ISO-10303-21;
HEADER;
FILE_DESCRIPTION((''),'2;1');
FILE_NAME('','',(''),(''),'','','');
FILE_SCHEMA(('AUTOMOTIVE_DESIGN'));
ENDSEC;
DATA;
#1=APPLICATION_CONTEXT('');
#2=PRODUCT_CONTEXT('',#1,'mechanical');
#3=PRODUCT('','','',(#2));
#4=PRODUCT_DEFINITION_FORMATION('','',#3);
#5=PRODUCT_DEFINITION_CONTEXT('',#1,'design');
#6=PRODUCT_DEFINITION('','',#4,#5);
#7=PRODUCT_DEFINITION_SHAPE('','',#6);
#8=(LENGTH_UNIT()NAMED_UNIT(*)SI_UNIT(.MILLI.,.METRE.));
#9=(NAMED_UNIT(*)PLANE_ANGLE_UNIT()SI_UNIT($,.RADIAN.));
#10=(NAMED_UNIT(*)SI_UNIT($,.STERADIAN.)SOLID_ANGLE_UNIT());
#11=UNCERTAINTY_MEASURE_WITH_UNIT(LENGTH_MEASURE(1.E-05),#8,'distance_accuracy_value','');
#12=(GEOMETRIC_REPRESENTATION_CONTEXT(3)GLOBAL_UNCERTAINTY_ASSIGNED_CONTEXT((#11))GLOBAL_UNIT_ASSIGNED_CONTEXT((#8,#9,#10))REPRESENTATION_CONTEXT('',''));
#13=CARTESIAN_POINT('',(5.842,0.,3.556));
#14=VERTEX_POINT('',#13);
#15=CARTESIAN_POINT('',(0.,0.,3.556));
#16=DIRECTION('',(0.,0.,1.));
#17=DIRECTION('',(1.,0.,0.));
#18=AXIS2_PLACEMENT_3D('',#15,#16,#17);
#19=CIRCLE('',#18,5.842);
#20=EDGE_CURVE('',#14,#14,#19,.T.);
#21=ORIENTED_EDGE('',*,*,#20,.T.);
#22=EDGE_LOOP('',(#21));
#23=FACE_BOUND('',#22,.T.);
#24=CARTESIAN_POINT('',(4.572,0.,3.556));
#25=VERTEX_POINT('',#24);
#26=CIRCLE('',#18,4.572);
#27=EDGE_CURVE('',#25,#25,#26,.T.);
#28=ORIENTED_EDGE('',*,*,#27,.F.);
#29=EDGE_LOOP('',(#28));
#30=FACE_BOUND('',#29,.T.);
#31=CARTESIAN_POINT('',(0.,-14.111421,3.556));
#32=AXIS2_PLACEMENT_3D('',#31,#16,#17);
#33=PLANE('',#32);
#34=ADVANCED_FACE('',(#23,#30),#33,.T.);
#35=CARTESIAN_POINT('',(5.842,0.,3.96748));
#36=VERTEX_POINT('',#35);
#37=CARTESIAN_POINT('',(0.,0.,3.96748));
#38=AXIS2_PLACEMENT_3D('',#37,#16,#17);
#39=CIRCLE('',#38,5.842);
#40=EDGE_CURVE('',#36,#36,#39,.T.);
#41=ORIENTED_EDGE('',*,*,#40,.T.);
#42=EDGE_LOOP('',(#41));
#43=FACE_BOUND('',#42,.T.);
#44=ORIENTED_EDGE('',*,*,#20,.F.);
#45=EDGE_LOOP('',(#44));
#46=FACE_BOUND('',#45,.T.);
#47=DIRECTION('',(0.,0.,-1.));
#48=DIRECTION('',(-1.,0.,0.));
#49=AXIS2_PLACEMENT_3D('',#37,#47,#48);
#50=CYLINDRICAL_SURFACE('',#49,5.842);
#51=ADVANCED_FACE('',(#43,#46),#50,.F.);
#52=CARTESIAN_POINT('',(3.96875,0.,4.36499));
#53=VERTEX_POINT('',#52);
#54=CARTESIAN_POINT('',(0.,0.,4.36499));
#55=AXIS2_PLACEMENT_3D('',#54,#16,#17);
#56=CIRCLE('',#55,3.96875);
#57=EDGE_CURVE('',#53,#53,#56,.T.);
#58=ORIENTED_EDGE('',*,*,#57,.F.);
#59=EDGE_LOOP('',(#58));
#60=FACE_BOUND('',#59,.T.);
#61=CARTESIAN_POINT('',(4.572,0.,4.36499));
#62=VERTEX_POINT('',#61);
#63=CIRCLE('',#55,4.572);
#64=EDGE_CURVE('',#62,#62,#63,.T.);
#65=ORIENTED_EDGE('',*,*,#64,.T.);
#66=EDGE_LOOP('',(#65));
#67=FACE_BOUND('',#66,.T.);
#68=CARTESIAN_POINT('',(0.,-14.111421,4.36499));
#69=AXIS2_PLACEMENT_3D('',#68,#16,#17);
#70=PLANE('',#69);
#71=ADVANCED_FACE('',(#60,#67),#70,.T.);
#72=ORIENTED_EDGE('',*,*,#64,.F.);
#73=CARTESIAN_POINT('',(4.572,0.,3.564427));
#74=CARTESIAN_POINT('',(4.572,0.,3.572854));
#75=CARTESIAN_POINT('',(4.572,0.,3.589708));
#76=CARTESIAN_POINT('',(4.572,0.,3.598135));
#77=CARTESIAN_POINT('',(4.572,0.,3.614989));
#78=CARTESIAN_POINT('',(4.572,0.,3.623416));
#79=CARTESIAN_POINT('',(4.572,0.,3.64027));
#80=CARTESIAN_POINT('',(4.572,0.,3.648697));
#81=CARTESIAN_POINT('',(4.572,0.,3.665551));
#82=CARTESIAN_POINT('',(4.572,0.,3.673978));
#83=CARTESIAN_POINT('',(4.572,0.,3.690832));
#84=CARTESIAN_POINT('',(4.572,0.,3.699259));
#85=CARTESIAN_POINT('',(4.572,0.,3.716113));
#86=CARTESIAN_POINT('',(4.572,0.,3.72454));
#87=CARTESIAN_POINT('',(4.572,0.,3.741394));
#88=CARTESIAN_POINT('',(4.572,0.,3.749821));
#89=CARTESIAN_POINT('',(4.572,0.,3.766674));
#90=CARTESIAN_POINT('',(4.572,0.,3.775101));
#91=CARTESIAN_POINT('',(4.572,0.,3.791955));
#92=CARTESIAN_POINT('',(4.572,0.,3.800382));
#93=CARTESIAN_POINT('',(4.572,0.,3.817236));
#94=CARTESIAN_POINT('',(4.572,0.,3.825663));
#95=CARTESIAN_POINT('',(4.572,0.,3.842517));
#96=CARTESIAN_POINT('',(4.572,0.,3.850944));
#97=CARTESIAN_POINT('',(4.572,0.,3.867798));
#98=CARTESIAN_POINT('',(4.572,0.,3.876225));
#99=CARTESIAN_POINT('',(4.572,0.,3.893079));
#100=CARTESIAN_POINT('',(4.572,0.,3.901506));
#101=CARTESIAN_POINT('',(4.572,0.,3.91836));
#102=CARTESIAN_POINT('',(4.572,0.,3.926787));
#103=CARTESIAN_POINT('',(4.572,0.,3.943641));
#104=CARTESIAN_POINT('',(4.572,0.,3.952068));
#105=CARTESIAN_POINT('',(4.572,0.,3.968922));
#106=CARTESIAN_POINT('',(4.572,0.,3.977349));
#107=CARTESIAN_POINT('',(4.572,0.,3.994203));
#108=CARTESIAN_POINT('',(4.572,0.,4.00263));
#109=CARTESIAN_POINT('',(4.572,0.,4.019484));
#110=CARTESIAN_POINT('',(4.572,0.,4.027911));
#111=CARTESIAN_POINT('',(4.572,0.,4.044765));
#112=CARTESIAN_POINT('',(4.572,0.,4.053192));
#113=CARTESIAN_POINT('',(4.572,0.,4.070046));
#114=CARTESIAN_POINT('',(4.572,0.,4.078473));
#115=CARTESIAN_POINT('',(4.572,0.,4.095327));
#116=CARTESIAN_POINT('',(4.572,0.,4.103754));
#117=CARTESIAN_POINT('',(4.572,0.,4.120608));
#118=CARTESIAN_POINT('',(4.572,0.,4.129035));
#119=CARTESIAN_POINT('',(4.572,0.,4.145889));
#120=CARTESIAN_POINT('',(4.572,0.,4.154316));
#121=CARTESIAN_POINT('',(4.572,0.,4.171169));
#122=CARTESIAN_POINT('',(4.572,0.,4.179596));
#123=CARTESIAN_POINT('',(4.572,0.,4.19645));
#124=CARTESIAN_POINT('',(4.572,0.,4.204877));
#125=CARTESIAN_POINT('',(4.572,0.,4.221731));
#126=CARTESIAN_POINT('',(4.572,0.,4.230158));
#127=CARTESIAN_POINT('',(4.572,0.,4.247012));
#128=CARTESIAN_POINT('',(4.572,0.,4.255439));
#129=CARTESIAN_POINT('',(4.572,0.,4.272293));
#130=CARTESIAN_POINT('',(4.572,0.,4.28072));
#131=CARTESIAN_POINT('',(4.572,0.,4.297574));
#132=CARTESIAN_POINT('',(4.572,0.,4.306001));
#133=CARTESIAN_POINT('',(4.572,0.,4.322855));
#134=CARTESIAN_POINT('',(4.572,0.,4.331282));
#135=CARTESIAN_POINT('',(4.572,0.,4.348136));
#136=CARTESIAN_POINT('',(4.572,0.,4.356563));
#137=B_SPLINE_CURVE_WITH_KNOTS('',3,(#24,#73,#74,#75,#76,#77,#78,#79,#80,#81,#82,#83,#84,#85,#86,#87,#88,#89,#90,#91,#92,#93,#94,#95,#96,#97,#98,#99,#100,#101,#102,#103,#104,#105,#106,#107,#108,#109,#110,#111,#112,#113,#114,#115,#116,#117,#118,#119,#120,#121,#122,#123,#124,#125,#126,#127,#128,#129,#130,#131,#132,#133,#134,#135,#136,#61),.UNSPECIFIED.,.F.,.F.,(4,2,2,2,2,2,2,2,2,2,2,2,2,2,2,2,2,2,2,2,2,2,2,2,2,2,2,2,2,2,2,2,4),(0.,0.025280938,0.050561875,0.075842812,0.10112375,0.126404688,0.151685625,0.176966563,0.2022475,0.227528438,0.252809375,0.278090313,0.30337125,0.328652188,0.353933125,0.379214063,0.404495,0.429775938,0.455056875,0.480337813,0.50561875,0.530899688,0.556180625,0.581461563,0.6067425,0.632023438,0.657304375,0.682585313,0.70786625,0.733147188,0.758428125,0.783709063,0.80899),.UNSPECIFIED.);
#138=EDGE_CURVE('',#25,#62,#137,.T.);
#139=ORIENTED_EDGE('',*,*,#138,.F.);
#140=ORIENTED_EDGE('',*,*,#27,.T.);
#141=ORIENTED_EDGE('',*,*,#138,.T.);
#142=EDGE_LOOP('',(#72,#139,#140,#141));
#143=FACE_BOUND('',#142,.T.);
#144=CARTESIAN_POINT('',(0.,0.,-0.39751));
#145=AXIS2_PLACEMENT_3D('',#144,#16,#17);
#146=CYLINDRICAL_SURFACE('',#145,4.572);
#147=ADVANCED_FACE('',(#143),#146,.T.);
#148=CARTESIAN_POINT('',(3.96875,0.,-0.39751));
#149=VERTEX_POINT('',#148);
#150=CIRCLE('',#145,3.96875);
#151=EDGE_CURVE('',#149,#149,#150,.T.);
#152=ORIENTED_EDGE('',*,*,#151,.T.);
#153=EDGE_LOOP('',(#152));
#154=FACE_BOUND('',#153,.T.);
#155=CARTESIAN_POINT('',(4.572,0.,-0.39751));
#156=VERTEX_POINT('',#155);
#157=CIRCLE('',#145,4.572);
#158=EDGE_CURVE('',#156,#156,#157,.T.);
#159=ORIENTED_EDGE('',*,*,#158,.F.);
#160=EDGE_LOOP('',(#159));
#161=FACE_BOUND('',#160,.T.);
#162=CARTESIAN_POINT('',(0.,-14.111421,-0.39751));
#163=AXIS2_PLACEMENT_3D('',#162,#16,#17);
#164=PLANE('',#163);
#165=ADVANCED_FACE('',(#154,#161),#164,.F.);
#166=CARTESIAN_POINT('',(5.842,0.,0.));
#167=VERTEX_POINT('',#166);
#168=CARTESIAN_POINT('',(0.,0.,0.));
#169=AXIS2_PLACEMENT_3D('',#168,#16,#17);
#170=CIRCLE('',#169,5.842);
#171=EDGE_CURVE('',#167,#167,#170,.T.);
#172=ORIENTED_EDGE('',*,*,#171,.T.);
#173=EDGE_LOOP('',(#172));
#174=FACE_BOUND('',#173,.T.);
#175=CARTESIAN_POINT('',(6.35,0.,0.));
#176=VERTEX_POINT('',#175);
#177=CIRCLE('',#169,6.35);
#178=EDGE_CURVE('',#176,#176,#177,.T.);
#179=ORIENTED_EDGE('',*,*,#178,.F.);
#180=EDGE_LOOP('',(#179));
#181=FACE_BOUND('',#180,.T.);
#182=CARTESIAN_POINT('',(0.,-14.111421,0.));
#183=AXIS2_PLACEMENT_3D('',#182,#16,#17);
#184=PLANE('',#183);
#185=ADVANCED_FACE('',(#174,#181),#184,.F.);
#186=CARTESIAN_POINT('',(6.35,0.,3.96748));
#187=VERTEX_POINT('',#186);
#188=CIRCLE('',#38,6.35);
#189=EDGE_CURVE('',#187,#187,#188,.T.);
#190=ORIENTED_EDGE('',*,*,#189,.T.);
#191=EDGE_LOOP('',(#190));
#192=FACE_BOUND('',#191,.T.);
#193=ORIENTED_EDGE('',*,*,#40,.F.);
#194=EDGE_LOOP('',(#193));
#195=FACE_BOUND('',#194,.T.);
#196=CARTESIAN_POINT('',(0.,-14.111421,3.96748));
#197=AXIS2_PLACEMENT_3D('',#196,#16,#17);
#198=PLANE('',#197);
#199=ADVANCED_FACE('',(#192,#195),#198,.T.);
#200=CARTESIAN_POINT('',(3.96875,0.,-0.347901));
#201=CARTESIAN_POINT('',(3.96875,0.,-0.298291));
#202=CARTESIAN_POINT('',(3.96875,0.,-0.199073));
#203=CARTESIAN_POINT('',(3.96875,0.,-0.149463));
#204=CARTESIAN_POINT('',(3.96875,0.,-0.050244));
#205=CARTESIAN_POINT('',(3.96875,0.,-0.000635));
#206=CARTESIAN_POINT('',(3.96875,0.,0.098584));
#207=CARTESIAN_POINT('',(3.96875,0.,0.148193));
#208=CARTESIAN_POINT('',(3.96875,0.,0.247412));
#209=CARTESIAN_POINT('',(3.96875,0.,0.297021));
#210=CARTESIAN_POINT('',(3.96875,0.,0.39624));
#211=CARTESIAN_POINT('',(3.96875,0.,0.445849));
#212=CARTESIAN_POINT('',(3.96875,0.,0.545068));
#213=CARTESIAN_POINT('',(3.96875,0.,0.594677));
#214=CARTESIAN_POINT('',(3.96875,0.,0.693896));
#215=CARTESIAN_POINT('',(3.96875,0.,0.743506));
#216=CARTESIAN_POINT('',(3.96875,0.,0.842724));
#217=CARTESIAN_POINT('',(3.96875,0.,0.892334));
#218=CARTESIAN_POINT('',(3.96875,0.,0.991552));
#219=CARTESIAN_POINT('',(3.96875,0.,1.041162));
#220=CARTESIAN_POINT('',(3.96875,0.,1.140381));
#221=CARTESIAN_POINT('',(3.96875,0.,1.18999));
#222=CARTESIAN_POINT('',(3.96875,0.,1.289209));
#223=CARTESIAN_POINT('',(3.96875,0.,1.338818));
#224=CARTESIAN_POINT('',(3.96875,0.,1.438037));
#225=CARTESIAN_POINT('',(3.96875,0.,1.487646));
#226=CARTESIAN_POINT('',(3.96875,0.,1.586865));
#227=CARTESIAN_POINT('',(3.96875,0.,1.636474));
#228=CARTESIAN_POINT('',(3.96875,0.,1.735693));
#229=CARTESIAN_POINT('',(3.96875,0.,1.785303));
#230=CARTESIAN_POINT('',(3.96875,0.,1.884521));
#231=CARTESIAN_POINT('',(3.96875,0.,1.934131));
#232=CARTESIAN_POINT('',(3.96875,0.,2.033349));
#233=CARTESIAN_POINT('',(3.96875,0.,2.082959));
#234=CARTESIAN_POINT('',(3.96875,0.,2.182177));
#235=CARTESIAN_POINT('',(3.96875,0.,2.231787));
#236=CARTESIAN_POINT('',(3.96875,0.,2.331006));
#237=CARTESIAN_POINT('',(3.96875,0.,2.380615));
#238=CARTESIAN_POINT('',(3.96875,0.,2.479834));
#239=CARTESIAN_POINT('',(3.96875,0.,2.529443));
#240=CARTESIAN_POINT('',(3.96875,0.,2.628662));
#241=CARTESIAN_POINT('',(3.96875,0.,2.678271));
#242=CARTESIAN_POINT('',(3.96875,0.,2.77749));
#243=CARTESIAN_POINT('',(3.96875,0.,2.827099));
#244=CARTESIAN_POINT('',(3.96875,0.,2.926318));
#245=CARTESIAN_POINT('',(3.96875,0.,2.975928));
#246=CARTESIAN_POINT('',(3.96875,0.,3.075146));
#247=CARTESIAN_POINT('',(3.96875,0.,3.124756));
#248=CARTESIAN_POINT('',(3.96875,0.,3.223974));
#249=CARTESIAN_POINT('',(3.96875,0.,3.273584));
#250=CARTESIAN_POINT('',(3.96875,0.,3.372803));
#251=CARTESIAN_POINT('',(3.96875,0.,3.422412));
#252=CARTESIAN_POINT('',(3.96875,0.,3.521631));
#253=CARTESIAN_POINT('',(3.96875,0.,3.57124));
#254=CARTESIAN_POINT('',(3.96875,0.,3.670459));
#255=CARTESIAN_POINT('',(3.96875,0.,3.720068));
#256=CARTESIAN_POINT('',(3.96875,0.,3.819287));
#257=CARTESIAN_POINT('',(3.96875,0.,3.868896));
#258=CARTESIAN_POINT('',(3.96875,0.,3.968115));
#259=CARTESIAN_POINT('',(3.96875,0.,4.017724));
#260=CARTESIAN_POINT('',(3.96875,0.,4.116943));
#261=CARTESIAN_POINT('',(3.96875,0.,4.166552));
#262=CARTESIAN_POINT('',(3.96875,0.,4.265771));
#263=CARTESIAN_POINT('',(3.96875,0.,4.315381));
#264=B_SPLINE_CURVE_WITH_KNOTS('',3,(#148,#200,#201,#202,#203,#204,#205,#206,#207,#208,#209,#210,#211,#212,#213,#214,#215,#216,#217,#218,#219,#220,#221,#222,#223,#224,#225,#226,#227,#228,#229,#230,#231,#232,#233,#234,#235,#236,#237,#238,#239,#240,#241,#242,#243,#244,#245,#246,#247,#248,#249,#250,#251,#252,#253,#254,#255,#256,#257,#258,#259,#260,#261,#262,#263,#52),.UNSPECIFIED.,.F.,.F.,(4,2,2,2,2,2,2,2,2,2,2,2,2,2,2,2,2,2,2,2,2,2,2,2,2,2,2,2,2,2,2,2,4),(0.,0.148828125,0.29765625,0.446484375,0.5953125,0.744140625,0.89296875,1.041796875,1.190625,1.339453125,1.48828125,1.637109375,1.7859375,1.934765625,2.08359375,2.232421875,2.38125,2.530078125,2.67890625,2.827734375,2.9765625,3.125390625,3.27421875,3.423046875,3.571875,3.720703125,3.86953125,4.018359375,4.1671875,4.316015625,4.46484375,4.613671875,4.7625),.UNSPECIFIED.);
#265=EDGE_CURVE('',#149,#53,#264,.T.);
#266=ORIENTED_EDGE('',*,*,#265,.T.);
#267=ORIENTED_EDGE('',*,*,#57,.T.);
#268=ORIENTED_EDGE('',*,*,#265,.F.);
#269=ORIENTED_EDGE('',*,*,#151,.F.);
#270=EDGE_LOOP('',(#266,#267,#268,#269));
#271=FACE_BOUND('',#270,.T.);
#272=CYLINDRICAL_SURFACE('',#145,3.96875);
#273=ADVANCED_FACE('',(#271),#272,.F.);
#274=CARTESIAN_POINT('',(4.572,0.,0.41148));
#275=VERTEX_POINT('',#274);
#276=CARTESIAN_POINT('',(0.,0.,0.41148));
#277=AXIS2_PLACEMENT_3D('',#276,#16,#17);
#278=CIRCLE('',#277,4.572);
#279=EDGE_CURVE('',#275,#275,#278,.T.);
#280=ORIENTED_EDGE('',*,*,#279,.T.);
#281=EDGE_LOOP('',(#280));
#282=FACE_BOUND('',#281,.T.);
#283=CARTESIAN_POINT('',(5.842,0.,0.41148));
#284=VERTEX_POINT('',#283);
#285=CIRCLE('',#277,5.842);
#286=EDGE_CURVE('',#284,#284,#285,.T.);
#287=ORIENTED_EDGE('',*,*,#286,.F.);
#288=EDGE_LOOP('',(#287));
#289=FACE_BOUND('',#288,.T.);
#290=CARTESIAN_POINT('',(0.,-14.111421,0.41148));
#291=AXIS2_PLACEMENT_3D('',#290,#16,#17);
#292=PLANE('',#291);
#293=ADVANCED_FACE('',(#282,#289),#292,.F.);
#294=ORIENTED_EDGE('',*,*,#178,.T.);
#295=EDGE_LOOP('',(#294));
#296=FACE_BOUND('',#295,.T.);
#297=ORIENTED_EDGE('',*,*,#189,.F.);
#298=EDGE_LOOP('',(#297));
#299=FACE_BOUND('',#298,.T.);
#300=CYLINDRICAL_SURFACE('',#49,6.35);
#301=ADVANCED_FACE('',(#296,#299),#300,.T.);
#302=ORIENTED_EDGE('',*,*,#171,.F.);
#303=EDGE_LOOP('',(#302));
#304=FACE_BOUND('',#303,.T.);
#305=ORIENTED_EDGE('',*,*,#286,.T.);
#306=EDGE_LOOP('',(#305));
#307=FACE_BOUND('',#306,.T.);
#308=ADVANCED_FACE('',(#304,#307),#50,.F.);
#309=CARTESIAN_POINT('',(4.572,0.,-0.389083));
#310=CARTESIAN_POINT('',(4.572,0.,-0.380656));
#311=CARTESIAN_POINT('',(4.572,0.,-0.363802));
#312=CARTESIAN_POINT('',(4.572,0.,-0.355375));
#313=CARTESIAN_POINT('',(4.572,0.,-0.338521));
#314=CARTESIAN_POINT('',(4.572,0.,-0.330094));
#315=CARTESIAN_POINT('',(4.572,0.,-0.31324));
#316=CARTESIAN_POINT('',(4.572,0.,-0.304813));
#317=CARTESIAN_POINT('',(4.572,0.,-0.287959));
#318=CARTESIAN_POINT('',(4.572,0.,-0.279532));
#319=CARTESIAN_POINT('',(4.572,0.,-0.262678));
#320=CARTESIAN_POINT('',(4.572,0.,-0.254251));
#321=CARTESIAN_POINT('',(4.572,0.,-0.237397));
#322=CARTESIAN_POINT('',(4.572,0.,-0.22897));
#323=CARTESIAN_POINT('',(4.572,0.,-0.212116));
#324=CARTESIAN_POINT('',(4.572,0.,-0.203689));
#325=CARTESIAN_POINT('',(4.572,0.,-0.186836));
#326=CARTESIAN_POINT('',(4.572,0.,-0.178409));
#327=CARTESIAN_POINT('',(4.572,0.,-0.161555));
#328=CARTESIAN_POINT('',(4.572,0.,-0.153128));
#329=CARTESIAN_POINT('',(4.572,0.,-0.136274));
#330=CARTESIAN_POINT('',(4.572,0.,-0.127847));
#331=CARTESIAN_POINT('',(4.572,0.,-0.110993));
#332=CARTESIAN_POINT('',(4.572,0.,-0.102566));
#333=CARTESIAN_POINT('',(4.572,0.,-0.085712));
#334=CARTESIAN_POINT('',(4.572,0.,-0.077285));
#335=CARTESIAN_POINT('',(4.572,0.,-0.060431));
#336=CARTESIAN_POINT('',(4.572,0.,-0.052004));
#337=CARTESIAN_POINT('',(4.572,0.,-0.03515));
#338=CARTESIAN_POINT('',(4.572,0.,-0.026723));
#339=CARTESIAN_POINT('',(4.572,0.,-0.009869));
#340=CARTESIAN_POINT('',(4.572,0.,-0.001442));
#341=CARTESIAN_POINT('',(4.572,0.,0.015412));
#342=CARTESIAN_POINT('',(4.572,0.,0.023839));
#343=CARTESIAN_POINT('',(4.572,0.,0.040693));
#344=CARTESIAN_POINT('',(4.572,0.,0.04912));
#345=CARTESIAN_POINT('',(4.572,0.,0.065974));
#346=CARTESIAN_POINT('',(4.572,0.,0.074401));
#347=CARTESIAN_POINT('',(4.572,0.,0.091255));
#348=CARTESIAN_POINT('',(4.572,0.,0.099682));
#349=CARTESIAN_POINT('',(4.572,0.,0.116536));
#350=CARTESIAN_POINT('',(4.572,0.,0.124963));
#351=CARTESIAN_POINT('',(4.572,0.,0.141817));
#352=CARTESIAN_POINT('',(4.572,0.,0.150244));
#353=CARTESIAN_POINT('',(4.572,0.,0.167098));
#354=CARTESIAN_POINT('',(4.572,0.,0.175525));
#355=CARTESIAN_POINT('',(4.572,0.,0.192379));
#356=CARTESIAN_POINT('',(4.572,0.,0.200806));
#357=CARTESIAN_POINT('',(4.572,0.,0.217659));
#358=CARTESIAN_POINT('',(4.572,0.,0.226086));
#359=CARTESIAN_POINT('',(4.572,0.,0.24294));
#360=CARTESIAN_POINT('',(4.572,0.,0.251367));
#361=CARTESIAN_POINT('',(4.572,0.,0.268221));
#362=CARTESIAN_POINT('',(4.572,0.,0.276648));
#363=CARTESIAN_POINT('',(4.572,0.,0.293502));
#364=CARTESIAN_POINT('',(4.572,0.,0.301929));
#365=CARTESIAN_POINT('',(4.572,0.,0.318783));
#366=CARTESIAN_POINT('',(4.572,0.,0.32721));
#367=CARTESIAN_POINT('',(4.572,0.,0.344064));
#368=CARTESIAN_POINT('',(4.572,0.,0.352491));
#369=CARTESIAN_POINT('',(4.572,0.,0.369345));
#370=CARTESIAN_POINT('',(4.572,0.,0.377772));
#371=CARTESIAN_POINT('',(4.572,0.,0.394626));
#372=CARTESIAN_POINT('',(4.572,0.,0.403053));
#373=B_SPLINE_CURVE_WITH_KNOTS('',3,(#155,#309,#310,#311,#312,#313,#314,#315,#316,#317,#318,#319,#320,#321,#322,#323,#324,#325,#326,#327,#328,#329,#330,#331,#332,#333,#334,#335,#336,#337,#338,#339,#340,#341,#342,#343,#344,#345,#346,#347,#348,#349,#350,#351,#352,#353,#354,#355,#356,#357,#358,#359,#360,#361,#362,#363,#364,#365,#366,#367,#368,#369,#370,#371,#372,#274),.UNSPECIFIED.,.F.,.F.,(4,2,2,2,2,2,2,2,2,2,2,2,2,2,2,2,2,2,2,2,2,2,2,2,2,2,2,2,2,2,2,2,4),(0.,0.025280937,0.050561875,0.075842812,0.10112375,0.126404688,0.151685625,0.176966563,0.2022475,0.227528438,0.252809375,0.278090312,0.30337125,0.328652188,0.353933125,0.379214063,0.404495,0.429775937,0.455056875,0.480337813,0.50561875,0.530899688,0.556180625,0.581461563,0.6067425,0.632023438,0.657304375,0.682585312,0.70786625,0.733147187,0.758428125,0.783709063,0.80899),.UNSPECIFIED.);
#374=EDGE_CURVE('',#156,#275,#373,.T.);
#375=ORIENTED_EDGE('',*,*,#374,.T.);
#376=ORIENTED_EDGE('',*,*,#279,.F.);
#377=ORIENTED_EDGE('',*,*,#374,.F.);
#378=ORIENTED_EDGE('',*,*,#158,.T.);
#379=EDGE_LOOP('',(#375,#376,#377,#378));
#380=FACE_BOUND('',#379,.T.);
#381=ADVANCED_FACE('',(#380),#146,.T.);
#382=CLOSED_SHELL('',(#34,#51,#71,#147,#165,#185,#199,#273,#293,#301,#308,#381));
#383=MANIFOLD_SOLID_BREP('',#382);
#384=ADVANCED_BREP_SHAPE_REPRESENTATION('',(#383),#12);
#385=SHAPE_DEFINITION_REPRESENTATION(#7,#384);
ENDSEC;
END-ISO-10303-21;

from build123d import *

# Parameters (mm, degrees)
SKETCH1_R                = 6.35
SKETCH1_R_2              = 5.842
BOSS_EXTRUDE1_DEPTH      = 3.96748
BOSS_EXTRUDE2_DEPTH      = 4.36499
BOSS_EXTRUDE2_DEPTH_BACK = 0.39751
SKETCH1_3_R              = 4.572
SKETCH1_3_R_2            = 3.96875
BOSS_EXTRUDE3_START      = 0.41148
SKETCH1_4_R              = 5.842
SKETCH1_4_R_2            = 4.572
BOSS_EXTRUDE3_DEPTH      = 3.14452


with BuildPart() as part:
    # Sketch1 → Boss-Extrude1 (new body)
    with BuildSketch(Plane.XY):
        Circle(SKETCH1_R)
        Circle(SKETCH1_R_2, mode=Mode.SUBTRACT)
    extrude(amount=BOSS_EXTRUDE1_DEPTH)



with BuildPart() as body_2:
    # Sketch1<3> → Boss-Extrude2 (new, two sides: drawn at the far end of the back side and taken through both)
    with BuildSketch(Plane.XY.offset(-BOSS_EXTRUDE2_DEPTH_BACK)):
        Circle(SKETCH1_3_R)
        Circle(SKETCH1_3_R_2, mode=Mode.SUBTRACT)
    extrude(amount=BOSS_EXTRUDE2_DEPTH + BOSS_EXTRUDE2_DEPTH_BACK)


with BuildPart() as part_1:
    add(part.part)

    add(body_2.part)  # Boss-Extrude3 merges body 2
    # Sketch1<4> → Boss-Extrude3 (add)
    with BuildSketch(Plane.XY.offset(BOSS_EXTRUDE3_START)):
        Circle(SKETCH1_4_R)
        Circle(SKETCH1_4_R_2, mode=Mode.SUBTRACT)
    extrude(amount=BOSS_EXTRUDE3_DEPTH)


solid = part_1.part
